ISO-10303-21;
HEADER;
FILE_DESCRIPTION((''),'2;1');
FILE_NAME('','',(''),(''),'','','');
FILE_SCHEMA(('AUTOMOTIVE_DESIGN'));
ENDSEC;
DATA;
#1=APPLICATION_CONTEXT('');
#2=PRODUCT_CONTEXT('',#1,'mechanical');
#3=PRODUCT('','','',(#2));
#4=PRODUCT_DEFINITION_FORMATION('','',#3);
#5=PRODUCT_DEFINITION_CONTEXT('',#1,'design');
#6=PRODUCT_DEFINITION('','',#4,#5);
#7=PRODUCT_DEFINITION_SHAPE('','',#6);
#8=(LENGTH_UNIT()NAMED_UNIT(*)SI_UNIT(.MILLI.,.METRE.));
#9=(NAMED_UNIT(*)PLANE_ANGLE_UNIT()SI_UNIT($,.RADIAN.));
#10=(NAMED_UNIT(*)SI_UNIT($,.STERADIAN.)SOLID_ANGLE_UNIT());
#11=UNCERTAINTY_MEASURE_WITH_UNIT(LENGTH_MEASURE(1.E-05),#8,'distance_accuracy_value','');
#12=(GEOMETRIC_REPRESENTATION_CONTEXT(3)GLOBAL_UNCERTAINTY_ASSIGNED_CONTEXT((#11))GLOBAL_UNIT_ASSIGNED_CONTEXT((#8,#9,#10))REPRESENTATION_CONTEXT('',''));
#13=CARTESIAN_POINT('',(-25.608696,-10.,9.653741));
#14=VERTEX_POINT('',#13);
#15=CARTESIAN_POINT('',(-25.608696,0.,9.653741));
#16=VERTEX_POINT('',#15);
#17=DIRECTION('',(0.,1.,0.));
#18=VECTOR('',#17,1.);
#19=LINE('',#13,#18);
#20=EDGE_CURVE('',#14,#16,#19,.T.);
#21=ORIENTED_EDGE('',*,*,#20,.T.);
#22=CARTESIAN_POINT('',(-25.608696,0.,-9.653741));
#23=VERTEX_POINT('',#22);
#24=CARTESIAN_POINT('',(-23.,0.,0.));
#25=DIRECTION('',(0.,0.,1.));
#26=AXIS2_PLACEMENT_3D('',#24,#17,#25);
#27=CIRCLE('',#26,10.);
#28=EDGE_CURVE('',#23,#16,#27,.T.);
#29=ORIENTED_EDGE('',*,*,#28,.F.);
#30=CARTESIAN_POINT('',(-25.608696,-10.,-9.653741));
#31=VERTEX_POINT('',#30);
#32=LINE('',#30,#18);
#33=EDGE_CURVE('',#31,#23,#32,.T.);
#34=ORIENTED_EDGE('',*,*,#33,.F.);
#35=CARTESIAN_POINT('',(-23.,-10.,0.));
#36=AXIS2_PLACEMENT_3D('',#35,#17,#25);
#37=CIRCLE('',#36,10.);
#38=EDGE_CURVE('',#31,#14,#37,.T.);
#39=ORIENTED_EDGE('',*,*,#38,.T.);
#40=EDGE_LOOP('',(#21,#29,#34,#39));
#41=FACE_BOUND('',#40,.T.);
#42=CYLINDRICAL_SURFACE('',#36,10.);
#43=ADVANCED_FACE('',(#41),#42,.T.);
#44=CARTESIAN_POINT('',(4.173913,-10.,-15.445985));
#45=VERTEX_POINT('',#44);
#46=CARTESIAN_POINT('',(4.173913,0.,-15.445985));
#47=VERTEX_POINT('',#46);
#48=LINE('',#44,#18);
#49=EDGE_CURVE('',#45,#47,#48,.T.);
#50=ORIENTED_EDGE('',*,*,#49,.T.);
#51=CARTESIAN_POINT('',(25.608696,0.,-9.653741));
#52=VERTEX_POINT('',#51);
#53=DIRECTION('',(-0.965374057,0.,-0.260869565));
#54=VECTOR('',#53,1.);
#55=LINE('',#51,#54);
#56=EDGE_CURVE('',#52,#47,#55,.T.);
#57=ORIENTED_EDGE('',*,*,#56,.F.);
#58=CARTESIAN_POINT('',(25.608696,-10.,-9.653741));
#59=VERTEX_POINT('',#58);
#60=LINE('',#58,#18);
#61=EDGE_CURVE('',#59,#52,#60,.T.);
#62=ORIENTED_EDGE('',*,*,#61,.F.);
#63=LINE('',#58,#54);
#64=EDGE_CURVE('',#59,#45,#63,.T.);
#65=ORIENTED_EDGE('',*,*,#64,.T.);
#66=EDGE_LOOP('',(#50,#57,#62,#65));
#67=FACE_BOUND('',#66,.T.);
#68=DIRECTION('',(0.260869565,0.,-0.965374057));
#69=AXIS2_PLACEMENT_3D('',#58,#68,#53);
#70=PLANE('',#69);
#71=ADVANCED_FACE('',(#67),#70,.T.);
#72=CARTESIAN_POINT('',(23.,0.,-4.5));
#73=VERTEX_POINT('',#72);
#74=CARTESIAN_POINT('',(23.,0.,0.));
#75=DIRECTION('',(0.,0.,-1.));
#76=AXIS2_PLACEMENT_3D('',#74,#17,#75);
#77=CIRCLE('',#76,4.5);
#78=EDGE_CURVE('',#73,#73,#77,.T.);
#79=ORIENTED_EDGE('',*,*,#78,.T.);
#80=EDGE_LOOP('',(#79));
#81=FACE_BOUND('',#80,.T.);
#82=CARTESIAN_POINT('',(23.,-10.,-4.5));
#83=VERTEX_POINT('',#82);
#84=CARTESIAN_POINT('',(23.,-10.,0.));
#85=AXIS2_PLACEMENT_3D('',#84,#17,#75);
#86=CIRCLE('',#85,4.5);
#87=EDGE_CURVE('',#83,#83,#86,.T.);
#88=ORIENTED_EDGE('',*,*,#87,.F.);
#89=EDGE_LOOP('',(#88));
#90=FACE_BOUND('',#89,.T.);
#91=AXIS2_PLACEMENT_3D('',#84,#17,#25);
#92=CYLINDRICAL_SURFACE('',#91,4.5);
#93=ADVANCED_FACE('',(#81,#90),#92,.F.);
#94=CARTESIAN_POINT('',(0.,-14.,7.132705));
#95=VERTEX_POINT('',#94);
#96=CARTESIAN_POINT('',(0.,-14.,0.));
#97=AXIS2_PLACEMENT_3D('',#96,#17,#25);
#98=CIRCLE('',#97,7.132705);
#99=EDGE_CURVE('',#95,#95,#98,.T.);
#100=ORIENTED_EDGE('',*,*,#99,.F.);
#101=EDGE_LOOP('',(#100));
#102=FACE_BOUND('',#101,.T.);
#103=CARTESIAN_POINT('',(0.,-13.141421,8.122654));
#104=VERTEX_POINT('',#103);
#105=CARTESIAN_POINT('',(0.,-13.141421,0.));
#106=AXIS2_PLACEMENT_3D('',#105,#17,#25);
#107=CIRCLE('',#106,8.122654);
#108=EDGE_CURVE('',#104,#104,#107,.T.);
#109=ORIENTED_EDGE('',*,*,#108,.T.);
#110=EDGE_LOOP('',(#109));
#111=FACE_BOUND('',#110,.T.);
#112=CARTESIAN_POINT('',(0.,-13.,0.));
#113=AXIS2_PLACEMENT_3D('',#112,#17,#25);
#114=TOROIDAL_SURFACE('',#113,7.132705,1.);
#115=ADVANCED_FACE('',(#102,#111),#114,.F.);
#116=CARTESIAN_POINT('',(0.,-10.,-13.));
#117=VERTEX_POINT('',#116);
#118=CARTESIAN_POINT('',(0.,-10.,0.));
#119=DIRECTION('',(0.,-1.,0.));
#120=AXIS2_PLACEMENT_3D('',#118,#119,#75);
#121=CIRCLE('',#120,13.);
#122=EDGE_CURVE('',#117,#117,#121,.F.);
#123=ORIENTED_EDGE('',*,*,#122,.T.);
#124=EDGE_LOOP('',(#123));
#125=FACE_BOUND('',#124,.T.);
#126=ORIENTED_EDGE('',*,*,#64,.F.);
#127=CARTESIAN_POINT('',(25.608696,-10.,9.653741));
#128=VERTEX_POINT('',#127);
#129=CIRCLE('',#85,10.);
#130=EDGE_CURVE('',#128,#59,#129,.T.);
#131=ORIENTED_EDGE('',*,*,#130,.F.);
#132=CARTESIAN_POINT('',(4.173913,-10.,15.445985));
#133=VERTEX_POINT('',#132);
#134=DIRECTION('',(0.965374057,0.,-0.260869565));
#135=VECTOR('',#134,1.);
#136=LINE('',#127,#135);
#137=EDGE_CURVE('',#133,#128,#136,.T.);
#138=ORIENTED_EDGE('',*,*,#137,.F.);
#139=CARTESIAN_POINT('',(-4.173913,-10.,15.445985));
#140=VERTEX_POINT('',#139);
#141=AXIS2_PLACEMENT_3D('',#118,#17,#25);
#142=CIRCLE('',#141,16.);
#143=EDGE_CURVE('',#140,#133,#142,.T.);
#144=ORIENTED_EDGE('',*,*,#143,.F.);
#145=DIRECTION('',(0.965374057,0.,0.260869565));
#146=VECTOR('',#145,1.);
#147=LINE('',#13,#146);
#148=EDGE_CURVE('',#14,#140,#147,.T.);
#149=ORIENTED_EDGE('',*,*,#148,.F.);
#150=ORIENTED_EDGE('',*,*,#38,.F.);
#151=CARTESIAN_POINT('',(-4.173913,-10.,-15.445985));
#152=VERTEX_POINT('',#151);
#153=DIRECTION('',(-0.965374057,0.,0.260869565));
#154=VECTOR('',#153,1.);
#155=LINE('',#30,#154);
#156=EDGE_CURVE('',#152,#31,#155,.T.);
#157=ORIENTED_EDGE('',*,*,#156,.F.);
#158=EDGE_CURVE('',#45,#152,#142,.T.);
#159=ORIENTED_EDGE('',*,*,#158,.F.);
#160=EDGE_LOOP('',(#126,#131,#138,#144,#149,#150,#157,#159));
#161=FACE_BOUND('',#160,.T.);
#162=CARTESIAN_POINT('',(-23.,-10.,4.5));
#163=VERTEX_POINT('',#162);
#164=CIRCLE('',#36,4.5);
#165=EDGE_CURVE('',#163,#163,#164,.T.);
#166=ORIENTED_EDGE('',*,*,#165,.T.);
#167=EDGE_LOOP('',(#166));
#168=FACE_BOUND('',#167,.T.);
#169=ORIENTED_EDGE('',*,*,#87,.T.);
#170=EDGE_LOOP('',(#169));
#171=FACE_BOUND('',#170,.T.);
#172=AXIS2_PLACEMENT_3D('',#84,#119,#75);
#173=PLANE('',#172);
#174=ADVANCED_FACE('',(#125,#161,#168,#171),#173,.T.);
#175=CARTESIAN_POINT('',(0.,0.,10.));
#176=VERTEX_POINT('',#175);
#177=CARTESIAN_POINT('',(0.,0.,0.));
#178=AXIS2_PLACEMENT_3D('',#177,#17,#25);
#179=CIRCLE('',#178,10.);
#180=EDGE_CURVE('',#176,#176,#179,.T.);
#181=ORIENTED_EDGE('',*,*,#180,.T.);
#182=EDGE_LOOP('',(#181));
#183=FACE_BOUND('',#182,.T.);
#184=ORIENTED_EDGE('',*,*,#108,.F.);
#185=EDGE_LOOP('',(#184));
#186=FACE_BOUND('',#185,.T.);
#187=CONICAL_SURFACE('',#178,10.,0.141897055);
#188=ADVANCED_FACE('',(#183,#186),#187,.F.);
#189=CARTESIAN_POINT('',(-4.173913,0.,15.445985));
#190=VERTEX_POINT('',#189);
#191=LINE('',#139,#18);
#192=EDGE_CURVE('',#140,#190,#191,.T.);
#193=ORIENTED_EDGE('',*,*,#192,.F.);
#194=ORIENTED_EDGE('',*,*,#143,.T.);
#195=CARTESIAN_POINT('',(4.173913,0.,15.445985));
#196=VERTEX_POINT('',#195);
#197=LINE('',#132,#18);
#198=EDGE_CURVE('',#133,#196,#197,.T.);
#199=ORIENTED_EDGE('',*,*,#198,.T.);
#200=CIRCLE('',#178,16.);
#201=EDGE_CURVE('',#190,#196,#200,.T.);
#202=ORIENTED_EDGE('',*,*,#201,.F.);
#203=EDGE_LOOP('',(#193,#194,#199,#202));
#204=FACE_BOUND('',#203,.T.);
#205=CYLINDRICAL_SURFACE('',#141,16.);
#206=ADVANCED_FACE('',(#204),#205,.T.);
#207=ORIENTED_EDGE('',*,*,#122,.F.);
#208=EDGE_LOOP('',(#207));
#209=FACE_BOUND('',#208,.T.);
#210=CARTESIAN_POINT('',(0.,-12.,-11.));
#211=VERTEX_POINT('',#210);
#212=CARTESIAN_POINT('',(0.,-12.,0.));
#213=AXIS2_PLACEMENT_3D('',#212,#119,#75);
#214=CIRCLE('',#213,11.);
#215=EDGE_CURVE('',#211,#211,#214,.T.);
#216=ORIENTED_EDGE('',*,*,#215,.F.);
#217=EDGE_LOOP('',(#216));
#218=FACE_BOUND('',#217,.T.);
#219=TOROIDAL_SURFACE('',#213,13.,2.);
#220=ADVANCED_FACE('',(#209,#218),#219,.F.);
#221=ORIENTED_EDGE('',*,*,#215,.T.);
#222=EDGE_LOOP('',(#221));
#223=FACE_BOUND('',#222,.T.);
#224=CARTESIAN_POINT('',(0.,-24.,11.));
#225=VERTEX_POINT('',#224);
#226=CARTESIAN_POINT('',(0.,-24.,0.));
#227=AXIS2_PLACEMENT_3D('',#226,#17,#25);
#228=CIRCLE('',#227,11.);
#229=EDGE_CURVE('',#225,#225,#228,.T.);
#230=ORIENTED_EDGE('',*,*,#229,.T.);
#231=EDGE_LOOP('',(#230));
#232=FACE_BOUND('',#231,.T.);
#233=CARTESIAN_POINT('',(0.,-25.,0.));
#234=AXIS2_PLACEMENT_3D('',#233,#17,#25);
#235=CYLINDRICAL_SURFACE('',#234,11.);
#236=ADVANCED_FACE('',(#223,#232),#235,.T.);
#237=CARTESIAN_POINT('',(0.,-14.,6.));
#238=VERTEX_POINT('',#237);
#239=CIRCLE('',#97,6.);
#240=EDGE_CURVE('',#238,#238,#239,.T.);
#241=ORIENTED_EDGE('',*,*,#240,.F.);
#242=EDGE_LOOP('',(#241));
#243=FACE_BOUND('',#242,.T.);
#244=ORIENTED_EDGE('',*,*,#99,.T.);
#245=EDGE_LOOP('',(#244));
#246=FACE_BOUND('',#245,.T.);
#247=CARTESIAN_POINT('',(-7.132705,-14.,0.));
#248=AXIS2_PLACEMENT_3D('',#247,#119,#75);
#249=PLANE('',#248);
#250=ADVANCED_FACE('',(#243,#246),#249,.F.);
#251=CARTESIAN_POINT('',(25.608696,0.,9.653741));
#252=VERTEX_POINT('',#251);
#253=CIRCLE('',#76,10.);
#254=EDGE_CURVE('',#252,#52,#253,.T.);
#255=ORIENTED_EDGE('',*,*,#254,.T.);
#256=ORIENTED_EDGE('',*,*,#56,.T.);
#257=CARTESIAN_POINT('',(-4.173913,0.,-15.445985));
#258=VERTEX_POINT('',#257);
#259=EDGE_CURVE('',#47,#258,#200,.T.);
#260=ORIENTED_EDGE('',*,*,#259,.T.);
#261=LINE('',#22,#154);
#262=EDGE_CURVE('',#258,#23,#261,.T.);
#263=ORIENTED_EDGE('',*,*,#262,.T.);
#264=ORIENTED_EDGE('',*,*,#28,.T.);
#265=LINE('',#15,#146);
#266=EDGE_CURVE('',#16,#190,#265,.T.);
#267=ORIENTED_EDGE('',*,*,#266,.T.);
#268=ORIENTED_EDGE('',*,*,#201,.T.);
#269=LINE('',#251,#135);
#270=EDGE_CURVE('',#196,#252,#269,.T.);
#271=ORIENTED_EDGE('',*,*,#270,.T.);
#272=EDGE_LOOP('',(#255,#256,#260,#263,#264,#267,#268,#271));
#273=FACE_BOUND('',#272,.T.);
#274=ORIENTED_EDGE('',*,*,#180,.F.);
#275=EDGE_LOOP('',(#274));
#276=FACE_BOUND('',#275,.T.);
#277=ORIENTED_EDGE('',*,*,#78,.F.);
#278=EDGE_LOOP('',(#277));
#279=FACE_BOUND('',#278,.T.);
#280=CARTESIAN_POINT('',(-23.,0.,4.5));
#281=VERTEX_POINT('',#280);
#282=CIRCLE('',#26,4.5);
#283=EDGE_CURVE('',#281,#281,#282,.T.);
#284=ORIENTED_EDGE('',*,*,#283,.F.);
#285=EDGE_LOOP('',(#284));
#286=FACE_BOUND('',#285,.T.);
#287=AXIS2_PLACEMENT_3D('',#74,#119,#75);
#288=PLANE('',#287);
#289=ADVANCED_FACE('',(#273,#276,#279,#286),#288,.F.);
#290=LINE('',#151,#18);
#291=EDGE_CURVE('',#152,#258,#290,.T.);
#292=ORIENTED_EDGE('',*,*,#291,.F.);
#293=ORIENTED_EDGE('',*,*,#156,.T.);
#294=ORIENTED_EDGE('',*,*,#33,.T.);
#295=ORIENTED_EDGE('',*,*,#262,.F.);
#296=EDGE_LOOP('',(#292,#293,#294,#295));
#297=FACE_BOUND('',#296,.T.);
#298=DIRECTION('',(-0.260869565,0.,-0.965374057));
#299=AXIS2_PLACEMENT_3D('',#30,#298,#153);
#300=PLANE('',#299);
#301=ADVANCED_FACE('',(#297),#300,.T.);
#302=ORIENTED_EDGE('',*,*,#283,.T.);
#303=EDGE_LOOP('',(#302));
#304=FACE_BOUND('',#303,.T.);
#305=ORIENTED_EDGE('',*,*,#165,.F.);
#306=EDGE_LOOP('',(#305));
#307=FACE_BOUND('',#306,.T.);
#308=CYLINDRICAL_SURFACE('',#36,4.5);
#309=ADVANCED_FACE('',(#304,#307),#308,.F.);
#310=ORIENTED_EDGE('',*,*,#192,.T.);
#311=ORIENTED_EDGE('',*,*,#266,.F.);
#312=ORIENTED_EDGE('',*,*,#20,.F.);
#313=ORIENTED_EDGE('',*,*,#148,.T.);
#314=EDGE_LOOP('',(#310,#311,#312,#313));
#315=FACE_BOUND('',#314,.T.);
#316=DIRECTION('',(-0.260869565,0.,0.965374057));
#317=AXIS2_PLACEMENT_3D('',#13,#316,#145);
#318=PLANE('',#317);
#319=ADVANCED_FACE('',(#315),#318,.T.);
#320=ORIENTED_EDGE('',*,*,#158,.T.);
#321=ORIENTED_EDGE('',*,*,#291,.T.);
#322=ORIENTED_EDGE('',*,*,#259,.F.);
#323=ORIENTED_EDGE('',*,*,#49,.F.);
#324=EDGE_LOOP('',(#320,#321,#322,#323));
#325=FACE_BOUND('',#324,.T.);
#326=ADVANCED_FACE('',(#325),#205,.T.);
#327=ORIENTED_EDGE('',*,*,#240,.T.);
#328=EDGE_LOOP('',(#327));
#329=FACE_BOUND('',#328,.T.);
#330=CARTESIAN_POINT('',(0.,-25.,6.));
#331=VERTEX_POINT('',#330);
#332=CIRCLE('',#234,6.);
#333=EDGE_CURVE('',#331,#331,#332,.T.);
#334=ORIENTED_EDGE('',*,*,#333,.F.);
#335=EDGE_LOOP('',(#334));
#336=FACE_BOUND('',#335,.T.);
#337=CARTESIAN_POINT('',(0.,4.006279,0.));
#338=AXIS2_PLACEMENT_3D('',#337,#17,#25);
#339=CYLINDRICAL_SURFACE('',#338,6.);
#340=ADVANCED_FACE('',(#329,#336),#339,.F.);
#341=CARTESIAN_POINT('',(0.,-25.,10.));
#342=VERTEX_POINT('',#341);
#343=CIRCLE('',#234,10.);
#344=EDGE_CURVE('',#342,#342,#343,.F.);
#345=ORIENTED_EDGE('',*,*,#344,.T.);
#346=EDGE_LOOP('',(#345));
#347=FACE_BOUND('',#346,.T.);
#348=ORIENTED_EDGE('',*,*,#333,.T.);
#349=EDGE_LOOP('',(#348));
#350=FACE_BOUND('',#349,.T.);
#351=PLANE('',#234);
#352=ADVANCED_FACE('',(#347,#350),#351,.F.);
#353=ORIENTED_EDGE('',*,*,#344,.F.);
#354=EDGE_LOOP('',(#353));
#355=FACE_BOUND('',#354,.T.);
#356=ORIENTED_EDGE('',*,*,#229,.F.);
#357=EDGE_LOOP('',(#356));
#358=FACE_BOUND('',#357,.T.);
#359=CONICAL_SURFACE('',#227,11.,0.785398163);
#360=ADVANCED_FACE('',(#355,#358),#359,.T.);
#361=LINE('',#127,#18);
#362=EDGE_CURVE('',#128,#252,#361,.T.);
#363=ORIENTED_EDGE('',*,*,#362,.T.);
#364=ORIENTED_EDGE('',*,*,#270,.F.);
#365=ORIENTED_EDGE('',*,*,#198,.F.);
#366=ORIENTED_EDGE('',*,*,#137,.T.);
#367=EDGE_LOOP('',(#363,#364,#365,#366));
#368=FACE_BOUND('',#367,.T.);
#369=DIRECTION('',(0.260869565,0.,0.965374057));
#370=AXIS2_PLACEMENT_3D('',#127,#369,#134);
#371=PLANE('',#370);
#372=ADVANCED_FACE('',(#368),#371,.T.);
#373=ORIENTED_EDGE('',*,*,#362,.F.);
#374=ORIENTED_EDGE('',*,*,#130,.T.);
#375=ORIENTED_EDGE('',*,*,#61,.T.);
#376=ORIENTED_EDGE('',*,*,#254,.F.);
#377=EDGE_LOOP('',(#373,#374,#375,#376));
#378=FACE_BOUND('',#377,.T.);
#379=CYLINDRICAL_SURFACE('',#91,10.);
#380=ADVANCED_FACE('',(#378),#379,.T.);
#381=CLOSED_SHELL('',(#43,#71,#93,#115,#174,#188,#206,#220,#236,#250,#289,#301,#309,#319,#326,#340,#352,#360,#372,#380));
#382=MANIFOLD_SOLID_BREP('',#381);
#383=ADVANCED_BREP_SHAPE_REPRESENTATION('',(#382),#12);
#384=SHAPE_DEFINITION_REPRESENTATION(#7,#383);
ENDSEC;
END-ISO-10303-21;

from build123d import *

# Parameters (mm, degrees)
SKETCH_1_R      = 4.5
EXTRUDE_1_DEPTH = 10
SKETCH_2_R      = 11
EXTRUDE_2_DEPTH = 25
FILLET_1_R      = 2
CHAMFER_1_SIZE  = 1


with BuildPart() as part:
    # Эскиз1 → Бобышка-Вытянуть1 (new body)
    with BuildSketch(Plane(origin=(0, 0, 0), x_dir=(1, 0, 0), z_dir=(0, 1, 0))):
        with BuildLine():
            Line((-25.608695652, 9.65374057), (-4.173913043, 15.445984912))
            ThreePointArc((-4.173913043, 15.445984912), (0, 16), (4.173913043, 15.445984912))
            Line((4.173913043, 15.445984912), (25.608695652, 9.65374057))
            ThreePointArc((25.608695652, 9.65374057), (33, 0), (25.608695652, -9.65374057))
            Line((25.608695652, -9.65374057), (4.173913043, -15.445984912))
            ThreePointArc((4.173913043, -15.445984912), (0, -16), (-4.173913043, -15.445984912))
            Line((-4.173913043, -15.445984912), (-25.608695652, -9.65374057))
            ThreePointArc((-25.608695652, -9.65374057), (-33, 0), (-25.608695652, 9.65374057))
        make_face()
        with Locations(Location((-23, 0, 0), (0, 0, 270))):
            Circle(SKETCH_1_R, mode=Mode.SUBTRACT)
        with Locations(Location((23, 0, 0), (0, 0, 90))):
            Circle(SKETCH_1_R, mode=Mode.SUBTRACT)
    extrude(amount=-EXTRUDE_1_DEPTH)

    # Эскиз2 → Бобышка-Вытянуть2 (add)
    with BuildSketch(Plane(origin=(0, 0, 0), x_dir=(1, 0, 0), z_dir=(0, 1, 0))):
        with Locations(Location((0, 0, 0), (0, 0, 270))):
            Circle(SKETCH_2_R)
    extrude(amount=-EXTRUDE_2_DEPTH)

    # Эскиз3 → Вырез-Повернуть1 (revolve, cut)
    with BuildSketch(Plane.XY, mode=Mode.PRIVATE) as cut_revolve_1_sk:
        with BuildLine():
            Line((0, 0), (-10, 0))
            Line((-10, 0), (-8.122654092, -13.141421356))
            ThreePointArc((-8.122654092, -13.141421356), (-7.78790634, -13.755453955), (-7.132704598, -14))
            Line((-7.132704598, -14), (-6, -14))
            Line((-6, -14), (-6, -25))
            Line((-6, -25), (0, -25))
            Line((0, -25), (0, 0))
        make_face()
    revolve(cut_revolve_1_sk.sketch.rotate(Axis((0, 4.006279318, 0), (0, -1, 0)), 270), axis=Axis((0, 4.006279318, 0), (0, -1, 0)), mode=Mode.SUBTRACT)

    # Скругление1
    fillet_1_edges = [part.edges().sort_by_distance(p)[0] for p in [
        (0, -10, -11),
    ]]
    fillet(fillet_1_edges, radius=FILLET_1_R)

    # Фаска1
    chamfer_1_edges = [part.edges().sort_by_distance(p)[0] for p in [
        (0, -25, -11),
    ]]
    chamfer(chamfer_1_edges, length=CHAMFER_1_SIZE)


solid = part.part
